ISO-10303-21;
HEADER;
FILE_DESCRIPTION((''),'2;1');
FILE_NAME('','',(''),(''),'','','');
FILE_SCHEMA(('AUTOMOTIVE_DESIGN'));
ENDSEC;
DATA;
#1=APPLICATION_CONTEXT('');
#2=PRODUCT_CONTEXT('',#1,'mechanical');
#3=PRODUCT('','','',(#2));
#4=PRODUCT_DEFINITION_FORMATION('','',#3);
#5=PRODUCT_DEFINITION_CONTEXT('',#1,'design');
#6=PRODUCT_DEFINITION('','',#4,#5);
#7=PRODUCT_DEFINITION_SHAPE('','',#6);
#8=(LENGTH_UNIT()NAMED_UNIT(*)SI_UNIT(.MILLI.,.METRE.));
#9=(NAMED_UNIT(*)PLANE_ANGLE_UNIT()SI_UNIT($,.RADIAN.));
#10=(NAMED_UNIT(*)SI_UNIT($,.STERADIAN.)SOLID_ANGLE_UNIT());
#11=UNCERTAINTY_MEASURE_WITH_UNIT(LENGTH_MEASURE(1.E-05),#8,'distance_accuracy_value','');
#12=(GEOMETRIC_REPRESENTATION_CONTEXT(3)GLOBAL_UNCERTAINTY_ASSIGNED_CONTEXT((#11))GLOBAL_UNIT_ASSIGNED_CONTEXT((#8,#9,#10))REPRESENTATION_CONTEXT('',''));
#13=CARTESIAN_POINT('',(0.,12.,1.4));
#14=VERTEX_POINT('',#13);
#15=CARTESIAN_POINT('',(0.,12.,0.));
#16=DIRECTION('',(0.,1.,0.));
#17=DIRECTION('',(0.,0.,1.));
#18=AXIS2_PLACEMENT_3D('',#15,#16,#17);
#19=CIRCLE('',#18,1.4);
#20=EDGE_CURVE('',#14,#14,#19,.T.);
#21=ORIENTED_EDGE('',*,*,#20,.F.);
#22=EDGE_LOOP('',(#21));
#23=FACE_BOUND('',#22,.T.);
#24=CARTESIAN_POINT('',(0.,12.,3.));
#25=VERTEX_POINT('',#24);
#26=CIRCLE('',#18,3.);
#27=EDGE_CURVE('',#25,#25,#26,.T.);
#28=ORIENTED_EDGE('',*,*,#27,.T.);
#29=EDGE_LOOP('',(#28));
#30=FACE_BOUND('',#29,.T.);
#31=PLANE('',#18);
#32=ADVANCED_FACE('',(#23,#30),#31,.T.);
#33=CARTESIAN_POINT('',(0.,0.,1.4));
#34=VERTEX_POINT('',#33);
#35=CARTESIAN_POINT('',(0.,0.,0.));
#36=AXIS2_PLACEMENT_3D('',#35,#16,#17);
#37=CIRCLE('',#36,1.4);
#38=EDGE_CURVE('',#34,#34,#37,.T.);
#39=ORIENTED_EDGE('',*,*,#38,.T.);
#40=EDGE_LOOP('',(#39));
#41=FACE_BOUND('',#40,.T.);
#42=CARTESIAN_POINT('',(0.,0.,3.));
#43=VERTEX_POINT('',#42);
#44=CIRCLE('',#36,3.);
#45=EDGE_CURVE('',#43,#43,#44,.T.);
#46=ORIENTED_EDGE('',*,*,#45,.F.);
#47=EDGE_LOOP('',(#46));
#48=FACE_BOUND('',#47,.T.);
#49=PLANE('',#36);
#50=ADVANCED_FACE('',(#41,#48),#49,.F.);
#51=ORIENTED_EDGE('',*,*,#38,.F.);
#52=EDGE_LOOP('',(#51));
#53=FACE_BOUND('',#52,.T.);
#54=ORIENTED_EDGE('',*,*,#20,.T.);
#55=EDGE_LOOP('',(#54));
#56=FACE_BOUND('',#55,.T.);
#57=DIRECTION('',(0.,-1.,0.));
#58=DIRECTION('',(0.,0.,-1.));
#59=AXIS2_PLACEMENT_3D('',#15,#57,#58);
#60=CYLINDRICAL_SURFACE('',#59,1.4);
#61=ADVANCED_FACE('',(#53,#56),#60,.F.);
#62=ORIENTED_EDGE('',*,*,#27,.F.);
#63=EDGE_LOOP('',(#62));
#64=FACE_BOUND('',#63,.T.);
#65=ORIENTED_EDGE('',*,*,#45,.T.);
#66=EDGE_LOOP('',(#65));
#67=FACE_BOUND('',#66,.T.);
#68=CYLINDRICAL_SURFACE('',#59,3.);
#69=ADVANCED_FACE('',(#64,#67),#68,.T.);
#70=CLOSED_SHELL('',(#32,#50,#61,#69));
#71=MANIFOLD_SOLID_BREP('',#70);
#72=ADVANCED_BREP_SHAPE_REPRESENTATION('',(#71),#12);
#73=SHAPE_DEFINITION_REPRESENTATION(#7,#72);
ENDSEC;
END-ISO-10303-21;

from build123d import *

# Parameters (mm, degrees)
ESQUISSE1_R        = 3
ESQUISSE1_R_2      = 1.4
BOSS_EXTRU_1_DEPTH = 12


with BuildPart() as part:
    # Esquisse1 → Boss.-Extru.1 (new body)
    with BuildSketch(Plane(origin=(0, 0, 0), x_dir=(1, 0, 0), z_dir=(0, 1, 0))):
        with Locations(Location((0, 0, 0), (0, 0, 270))):
            Circle(ESQUISSE1_R)
        with Locations(Location((0, 0, 0), (0, 0, 270))):
            Circle(ESQUISSE1_R_2, mode=Mode.SUBTRACT)
    extrude(amount=BOSS_EXTRU_1_DEPTH)


solid = part.part
